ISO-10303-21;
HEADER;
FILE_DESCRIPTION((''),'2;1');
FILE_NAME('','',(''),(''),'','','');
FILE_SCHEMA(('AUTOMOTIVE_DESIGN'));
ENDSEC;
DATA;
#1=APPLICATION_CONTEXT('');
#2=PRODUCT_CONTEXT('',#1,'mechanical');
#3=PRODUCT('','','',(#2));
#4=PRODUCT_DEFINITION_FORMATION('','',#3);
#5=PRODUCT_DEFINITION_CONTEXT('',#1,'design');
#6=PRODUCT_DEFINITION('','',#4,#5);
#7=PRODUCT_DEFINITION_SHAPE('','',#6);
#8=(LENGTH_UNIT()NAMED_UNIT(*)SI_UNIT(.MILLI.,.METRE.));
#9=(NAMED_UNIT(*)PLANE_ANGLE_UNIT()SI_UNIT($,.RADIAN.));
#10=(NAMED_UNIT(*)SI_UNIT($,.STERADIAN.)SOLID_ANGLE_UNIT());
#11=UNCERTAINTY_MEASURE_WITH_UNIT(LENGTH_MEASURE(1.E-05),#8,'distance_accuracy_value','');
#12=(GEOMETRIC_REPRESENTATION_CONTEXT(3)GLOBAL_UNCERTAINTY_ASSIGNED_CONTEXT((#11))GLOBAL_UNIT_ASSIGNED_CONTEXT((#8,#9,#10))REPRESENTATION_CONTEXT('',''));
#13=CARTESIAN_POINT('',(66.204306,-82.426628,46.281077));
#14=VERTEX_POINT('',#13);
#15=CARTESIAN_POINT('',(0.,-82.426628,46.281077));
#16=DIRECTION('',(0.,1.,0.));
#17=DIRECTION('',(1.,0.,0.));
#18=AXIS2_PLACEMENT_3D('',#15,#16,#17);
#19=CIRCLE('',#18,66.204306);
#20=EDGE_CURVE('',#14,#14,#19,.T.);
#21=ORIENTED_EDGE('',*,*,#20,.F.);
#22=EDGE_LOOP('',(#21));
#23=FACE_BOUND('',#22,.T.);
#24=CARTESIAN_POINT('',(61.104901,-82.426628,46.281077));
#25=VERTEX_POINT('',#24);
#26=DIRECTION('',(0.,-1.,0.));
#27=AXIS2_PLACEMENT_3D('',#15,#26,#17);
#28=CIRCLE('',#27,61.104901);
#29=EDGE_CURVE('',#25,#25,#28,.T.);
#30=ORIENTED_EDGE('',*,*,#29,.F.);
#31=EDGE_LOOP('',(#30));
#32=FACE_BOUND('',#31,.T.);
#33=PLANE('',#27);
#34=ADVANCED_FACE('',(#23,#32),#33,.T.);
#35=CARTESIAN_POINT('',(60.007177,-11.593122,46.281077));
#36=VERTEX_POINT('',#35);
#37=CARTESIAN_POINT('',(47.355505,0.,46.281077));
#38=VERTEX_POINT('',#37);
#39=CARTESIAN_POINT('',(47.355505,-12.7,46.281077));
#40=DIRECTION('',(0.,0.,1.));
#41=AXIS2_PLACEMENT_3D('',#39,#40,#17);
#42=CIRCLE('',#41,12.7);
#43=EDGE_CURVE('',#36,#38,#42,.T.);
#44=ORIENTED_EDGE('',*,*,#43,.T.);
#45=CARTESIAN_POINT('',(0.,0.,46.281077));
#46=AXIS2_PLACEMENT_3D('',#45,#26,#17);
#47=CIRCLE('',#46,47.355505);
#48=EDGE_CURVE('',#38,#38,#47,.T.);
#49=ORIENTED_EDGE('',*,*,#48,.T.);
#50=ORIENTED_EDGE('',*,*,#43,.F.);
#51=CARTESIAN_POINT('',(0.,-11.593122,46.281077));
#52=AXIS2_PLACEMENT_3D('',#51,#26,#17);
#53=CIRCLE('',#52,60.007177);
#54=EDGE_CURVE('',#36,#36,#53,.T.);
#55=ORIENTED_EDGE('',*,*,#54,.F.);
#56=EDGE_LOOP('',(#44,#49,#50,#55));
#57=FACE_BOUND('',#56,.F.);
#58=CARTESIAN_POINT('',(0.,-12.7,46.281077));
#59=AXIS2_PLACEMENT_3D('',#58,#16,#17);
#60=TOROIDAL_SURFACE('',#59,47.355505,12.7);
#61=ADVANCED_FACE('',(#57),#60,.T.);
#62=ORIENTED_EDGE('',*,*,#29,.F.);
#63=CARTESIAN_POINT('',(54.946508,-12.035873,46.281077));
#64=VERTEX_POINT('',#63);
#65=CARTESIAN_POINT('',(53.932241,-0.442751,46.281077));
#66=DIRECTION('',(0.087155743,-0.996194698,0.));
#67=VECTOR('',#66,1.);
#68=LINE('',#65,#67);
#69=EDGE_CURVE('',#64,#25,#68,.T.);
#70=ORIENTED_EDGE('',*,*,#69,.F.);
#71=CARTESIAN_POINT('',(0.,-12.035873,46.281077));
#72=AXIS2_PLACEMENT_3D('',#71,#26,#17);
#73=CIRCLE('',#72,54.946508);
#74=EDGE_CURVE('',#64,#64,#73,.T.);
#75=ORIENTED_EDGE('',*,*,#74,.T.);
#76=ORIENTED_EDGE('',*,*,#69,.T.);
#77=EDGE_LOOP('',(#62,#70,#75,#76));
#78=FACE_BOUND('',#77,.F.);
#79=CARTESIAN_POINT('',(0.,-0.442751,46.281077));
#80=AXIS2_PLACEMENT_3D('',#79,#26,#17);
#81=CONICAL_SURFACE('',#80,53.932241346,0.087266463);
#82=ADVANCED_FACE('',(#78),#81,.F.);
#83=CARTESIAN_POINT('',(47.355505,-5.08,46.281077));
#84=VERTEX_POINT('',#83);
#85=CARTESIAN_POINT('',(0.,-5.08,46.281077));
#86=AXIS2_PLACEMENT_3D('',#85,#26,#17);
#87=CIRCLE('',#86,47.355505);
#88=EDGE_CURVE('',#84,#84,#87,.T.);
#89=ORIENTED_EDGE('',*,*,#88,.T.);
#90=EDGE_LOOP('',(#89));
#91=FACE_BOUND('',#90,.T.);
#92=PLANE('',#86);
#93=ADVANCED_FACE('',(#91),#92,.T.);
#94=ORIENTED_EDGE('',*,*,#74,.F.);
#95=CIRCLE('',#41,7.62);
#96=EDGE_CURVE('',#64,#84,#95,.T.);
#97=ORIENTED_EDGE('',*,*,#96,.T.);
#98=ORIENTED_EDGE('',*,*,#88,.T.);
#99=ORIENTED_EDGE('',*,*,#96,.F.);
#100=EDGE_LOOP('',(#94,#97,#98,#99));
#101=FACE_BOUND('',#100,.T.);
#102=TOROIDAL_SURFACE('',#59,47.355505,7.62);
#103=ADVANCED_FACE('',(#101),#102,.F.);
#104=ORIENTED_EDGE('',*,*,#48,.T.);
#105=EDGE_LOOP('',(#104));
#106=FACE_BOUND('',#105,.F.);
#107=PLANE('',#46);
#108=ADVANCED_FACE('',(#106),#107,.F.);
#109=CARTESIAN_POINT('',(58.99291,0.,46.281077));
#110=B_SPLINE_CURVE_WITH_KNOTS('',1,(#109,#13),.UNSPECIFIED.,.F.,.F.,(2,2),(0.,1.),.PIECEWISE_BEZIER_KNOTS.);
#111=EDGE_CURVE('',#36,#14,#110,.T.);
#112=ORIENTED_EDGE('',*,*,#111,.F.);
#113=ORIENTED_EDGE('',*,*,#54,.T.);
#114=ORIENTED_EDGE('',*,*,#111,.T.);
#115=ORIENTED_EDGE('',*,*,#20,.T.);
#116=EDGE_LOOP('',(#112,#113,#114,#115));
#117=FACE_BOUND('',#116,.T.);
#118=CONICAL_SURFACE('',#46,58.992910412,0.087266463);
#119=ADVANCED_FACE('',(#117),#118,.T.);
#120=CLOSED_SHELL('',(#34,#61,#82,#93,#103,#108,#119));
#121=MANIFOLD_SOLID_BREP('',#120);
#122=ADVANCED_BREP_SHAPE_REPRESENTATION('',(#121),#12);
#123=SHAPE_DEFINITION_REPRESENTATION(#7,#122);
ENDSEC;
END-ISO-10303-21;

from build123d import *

# Parameters (mm, degrees)
F0_R     = 58.9929104122
F4_DEPTH = 82.4266280979
F4_TAPER = -5
F1_R     = 12.7
F2_T     = -5.08


with BuildPart() as f4:
    # F0 (on Front) → F4 (new body)
    with BuildSketch(Plane.XZ):
        with Locations((0, 46.2810769677)):
            Circle(F0_R)
    extrude(amount=F4_DEPTH, taper=F4_TAPER)

    # F1
    f1_edges = [f4.edges().sort_by_distance(p)[0] for p in [
        (-58.99291, 0, 46.281077),
    ]]
    fillet(f1_edges, radius=F1_R)

    # F2
    f2_openings = [f4.faces().sort_by_distance(p)[0] for p in [
        (0, -82.426628, 46.281077),
    ]]
    offset(amount=F2_T, openings=f2_openings, kind=Kind.INTERSECTION)


solid = f4.part
